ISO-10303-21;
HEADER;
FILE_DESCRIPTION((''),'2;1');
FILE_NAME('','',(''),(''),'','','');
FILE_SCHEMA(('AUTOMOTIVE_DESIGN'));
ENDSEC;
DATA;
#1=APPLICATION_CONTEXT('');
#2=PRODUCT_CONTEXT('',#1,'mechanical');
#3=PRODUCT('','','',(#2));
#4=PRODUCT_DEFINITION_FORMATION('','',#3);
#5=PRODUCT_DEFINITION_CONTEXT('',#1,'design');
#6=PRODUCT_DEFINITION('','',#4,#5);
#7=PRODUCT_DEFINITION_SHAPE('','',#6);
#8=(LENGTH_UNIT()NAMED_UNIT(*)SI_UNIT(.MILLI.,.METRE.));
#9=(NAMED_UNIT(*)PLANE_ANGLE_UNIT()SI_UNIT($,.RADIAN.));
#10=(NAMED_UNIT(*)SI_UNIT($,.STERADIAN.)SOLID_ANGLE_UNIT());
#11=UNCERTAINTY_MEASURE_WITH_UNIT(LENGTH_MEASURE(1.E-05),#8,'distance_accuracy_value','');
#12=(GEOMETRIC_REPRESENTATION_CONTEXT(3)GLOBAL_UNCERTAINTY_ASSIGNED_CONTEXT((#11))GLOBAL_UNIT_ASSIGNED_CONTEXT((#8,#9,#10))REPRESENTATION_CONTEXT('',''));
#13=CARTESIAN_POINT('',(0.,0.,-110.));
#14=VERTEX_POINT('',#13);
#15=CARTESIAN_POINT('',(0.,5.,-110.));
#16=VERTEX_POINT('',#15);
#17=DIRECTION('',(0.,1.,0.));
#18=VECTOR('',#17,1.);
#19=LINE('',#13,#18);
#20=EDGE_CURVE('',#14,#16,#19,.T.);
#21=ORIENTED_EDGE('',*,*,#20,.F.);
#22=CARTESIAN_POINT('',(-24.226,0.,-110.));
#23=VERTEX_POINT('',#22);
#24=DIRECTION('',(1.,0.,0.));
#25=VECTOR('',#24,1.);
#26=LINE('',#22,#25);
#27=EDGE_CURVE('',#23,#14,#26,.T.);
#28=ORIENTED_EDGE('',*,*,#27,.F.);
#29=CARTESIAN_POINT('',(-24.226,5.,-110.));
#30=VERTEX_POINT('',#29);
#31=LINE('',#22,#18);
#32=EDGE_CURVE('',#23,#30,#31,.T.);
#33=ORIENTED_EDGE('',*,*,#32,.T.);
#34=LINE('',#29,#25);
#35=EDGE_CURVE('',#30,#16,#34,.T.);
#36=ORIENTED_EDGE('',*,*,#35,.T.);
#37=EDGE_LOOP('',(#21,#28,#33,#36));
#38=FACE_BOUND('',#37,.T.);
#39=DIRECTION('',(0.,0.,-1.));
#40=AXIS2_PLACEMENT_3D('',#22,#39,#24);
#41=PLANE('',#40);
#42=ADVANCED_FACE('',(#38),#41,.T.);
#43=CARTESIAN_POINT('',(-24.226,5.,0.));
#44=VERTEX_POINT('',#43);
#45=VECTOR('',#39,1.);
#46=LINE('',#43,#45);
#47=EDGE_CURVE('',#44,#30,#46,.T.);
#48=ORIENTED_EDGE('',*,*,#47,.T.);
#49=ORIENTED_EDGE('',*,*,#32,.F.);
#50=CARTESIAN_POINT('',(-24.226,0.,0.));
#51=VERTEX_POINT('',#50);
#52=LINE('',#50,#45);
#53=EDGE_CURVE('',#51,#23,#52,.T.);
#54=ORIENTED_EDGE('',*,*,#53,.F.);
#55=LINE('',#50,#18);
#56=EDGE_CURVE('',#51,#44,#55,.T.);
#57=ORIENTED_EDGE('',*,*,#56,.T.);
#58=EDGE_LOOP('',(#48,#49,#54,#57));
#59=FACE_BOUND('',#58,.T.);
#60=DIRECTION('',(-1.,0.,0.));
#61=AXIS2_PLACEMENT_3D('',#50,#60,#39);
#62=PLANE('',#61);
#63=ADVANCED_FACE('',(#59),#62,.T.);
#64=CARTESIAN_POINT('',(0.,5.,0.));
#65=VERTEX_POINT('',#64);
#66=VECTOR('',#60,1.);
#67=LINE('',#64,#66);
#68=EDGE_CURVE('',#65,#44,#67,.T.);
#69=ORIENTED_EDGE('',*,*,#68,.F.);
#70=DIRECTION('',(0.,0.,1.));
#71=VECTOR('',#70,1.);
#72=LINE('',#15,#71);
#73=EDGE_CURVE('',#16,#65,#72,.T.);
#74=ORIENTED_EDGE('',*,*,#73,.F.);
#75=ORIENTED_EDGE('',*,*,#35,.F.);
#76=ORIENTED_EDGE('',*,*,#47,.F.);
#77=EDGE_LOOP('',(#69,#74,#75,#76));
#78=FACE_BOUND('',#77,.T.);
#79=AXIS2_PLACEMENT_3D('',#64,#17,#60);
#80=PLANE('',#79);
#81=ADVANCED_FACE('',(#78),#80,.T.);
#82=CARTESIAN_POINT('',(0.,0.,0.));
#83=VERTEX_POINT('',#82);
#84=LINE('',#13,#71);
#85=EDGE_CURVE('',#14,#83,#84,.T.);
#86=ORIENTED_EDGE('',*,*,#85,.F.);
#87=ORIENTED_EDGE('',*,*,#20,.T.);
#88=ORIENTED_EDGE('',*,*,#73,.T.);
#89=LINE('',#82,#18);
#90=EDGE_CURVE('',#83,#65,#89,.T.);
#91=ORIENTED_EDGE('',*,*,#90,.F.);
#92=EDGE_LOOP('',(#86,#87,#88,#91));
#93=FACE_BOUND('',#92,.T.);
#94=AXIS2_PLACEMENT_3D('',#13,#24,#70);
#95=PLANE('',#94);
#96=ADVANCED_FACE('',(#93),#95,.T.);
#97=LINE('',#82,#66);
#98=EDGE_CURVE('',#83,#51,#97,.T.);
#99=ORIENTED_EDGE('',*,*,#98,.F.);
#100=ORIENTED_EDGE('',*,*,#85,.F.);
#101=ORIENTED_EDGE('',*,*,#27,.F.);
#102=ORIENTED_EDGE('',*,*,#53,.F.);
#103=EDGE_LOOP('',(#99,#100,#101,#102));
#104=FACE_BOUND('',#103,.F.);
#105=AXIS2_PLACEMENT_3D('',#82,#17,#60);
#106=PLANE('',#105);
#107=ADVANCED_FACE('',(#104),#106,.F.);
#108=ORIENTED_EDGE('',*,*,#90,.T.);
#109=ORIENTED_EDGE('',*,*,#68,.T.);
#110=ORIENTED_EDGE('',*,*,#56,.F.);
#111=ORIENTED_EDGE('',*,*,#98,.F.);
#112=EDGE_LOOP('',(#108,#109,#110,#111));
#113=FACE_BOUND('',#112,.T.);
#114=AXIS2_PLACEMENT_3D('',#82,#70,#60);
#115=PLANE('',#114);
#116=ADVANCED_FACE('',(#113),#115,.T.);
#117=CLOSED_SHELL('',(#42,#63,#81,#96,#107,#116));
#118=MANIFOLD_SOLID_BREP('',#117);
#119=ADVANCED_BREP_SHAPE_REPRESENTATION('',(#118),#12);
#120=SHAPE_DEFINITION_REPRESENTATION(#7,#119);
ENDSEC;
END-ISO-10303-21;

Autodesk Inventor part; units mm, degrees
ref_plane "YZ Plane" through (0, 0, 0) normal (1, 0, 0) x (0, 1, 0)
ref_plane "XZ Plane" through (0, 0, 0) normal (0, 1, 0) x (-1, 0, 0)
ref_plane "XY Plane" through (0, 0, 0) normal (0, 0, 1) x (1, 0, 0)
sketch "Sketch1" plane through (0, 0, 0) normal (0, 1, 0) x (-1, 0, 0)
  line L0 (0, 0) -> (24.226, 0)
  line L1 (24.226, 0) -> (24.226, -110)
  line L2 (24.226, -110) -> (0, -110)
  line L3 (0, -110) -> (0, 0)
  dimension "d0" = 24.226
  dimension "d1" = 110
extrude "Extrusion1" add sketch "Sketch1" along normal blind 5
properties material "LCP Plastic"
